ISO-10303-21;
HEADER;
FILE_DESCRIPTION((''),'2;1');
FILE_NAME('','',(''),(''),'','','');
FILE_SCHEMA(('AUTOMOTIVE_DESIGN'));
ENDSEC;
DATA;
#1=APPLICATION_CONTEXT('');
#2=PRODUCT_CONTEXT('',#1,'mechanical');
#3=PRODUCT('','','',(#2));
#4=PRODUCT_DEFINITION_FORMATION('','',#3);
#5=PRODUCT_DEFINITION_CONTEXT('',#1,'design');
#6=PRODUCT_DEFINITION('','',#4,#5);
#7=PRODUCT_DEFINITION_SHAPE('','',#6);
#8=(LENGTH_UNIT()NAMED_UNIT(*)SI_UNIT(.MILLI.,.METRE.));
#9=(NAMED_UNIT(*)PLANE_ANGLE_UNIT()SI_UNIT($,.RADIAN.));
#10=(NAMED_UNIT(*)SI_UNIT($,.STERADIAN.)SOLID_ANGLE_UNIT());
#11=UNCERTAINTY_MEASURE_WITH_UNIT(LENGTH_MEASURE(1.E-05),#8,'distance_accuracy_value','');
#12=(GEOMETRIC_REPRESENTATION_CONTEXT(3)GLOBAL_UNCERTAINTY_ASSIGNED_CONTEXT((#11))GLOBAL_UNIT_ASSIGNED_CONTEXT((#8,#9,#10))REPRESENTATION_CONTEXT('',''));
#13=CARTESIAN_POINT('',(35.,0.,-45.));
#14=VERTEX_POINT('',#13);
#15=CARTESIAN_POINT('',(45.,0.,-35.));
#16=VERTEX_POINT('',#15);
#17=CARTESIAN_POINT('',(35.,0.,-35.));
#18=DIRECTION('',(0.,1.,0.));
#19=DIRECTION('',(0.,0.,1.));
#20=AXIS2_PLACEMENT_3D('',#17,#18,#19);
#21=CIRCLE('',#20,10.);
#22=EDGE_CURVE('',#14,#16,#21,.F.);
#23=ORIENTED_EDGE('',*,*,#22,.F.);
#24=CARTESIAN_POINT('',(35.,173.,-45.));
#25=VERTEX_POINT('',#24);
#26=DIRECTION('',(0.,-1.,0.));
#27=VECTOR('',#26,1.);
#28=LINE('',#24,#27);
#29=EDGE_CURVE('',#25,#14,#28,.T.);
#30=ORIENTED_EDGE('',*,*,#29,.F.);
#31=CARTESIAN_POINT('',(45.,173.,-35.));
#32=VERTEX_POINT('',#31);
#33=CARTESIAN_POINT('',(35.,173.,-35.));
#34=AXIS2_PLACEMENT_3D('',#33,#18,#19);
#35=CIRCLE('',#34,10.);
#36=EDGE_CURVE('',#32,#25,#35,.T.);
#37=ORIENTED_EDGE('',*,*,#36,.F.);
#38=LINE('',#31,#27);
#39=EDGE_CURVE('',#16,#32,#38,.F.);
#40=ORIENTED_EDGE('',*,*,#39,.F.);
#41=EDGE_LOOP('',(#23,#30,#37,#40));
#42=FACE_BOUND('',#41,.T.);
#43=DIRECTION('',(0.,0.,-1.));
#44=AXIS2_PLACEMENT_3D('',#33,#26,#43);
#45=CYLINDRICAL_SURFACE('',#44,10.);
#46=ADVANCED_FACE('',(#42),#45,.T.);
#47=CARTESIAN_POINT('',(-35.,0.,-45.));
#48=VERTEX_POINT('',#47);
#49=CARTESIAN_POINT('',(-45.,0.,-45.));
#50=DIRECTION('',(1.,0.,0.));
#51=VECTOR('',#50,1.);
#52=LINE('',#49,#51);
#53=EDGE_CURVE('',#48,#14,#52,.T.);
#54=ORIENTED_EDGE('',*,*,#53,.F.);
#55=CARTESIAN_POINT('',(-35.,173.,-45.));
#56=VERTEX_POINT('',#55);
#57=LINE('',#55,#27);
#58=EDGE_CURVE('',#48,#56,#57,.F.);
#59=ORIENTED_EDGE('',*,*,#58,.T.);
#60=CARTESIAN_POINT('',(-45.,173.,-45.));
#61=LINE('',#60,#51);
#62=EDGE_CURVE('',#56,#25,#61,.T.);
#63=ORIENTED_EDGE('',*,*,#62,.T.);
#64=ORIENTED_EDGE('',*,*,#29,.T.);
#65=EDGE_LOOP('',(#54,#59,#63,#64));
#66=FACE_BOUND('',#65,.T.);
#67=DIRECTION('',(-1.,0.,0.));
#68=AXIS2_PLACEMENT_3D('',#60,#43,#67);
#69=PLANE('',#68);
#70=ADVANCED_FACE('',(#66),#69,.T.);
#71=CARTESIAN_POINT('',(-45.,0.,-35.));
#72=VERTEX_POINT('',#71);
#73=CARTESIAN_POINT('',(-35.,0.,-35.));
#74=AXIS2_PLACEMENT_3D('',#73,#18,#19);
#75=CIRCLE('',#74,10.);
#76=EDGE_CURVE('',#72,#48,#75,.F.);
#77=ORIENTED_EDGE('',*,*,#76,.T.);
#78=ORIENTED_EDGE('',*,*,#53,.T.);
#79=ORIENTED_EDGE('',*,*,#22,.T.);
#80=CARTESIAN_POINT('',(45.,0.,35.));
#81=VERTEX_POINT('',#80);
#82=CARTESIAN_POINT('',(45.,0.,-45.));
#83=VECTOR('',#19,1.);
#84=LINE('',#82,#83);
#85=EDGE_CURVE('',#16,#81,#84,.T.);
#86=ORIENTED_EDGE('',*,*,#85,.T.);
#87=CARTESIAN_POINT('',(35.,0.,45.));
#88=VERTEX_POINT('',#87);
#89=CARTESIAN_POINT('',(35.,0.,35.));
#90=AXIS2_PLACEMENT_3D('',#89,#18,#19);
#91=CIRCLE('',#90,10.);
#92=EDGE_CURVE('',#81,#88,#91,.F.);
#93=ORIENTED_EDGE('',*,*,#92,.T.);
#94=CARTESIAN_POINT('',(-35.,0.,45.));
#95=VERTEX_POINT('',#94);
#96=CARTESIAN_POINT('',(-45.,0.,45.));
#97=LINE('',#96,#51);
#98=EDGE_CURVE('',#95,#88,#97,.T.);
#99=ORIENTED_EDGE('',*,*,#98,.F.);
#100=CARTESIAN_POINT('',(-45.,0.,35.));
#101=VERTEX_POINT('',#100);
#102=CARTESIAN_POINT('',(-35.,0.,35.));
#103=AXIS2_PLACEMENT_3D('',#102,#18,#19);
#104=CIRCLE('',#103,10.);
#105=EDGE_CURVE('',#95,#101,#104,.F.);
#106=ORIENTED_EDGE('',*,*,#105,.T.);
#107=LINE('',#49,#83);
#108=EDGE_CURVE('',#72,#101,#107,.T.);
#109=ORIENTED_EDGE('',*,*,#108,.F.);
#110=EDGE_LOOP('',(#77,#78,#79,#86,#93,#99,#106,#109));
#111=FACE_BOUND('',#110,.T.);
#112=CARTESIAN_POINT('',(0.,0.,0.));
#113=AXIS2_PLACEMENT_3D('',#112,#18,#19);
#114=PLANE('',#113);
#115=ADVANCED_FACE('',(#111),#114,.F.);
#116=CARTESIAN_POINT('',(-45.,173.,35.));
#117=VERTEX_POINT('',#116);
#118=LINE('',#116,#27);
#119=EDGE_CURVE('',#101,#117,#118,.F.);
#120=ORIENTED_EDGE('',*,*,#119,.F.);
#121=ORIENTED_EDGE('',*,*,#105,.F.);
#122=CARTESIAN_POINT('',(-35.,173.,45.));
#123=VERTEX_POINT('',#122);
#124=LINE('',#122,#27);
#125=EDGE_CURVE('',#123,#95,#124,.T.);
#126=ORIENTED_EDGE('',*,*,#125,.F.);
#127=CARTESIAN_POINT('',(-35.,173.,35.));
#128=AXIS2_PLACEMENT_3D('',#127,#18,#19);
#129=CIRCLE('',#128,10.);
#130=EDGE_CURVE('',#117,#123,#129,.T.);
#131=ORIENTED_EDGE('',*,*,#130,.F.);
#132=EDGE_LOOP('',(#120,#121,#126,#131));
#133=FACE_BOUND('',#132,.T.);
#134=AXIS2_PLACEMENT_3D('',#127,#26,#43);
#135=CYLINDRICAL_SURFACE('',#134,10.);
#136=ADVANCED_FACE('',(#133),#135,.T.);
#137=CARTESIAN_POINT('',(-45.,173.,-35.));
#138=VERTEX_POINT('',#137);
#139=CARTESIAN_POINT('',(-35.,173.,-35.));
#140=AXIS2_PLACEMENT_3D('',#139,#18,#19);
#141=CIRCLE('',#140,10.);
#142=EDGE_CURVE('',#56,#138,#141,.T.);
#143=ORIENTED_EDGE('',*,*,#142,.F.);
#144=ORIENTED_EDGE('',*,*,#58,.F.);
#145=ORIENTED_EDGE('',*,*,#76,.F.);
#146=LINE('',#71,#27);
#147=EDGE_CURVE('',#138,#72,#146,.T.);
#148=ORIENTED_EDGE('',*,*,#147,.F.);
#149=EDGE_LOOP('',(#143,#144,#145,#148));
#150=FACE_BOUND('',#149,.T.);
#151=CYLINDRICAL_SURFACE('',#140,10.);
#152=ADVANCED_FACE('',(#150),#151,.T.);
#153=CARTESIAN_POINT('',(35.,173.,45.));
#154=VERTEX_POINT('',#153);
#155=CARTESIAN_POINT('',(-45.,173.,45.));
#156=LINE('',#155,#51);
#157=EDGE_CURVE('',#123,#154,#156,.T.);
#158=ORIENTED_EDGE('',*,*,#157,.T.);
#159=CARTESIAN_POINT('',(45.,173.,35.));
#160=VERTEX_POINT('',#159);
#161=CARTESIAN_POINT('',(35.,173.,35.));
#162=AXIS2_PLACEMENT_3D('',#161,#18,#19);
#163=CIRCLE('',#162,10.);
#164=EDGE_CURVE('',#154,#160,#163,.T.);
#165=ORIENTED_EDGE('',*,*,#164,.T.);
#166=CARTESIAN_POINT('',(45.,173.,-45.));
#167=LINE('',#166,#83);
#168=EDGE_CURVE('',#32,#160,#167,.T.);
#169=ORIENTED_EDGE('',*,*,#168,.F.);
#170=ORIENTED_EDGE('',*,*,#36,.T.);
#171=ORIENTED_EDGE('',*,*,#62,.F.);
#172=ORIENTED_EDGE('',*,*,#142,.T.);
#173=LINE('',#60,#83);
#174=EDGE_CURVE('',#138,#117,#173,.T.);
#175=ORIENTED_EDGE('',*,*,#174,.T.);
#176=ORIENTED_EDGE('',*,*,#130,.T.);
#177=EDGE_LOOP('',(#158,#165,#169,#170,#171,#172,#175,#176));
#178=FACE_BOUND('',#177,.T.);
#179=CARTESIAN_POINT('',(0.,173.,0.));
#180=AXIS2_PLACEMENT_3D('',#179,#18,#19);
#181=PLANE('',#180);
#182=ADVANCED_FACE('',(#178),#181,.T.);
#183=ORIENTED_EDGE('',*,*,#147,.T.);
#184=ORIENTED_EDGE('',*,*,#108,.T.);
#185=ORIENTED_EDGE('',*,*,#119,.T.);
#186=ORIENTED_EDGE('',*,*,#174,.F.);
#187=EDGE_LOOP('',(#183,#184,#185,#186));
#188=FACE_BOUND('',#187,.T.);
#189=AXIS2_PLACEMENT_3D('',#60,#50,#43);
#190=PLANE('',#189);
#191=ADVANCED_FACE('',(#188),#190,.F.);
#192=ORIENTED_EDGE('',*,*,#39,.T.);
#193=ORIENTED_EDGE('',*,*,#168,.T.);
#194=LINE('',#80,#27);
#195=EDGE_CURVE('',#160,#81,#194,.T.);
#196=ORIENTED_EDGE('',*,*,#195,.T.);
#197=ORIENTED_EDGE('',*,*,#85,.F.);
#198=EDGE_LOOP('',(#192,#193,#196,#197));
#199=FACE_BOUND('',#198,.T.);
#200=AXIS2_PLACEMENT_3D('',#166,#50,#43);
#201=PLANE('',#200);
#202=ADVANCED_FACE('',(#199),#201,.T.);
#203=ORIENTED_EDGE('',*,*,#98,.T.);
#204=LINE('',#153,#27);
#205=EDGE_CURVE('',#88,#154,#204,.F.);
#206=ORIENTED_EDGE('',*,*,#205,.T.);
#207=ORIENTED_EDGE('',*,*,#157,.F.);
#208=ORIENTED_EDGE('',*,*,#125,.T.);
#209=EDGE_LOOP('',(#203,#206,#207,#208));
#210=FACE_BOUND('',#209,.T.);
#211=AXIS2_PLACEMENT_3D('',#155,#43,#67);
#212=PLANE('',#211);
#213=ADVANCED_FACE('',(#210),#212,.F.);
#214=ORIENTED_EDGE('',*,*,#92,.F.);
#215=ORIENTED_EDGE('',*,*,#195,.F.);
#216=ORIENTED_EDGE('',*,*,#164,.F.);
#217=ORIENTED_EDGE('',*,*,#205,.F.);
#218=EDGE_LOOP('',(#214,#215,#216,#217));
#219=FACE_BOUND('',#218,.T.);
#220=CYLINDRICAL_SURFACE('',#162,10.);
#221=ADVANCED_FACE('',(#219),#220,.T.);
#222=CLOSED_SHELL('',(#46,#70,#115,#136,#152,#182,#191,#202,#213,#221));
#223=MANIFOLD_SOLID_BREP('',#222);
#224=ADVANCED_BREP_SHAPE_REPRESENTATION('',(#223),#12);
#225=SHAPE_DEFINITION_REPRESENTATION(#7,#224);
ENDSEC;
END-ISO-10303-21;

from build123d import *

# Parameters (mm, degrees)
CROQUIS1_W              = 90
CROQUIS1_H              = 90
SALIENTE_EXTRUIR1_DEPTH = 173
REDONDEO1_R             = 10


with BuildPart() as part:
    # Croquis1 → Saliente-Extruir1 (new body)
    with BuildSketch(Plane(origin=(0, 0, 0), x_dir=(1, 0, 0), z_dir=(0, 1, 0))):
        Rectangle(CROQUIS1_W, CROQUIS1_H)
    extrude(amount=SALIENTE_EXTRUIR1_DEPTH)

    # Redondeo1
    redondeo1_edges = [part.edges().sort_by_distance(p)[0] for p in [
        (-45, 86.5, -45),
        (45, 86.5, -45),
        (45, 86.5, 45),
        (-45, 86.5, 45),
    ]]
    fillet(redondeo1_edges, radius=REDONDEO1_R)


solid = part.part
